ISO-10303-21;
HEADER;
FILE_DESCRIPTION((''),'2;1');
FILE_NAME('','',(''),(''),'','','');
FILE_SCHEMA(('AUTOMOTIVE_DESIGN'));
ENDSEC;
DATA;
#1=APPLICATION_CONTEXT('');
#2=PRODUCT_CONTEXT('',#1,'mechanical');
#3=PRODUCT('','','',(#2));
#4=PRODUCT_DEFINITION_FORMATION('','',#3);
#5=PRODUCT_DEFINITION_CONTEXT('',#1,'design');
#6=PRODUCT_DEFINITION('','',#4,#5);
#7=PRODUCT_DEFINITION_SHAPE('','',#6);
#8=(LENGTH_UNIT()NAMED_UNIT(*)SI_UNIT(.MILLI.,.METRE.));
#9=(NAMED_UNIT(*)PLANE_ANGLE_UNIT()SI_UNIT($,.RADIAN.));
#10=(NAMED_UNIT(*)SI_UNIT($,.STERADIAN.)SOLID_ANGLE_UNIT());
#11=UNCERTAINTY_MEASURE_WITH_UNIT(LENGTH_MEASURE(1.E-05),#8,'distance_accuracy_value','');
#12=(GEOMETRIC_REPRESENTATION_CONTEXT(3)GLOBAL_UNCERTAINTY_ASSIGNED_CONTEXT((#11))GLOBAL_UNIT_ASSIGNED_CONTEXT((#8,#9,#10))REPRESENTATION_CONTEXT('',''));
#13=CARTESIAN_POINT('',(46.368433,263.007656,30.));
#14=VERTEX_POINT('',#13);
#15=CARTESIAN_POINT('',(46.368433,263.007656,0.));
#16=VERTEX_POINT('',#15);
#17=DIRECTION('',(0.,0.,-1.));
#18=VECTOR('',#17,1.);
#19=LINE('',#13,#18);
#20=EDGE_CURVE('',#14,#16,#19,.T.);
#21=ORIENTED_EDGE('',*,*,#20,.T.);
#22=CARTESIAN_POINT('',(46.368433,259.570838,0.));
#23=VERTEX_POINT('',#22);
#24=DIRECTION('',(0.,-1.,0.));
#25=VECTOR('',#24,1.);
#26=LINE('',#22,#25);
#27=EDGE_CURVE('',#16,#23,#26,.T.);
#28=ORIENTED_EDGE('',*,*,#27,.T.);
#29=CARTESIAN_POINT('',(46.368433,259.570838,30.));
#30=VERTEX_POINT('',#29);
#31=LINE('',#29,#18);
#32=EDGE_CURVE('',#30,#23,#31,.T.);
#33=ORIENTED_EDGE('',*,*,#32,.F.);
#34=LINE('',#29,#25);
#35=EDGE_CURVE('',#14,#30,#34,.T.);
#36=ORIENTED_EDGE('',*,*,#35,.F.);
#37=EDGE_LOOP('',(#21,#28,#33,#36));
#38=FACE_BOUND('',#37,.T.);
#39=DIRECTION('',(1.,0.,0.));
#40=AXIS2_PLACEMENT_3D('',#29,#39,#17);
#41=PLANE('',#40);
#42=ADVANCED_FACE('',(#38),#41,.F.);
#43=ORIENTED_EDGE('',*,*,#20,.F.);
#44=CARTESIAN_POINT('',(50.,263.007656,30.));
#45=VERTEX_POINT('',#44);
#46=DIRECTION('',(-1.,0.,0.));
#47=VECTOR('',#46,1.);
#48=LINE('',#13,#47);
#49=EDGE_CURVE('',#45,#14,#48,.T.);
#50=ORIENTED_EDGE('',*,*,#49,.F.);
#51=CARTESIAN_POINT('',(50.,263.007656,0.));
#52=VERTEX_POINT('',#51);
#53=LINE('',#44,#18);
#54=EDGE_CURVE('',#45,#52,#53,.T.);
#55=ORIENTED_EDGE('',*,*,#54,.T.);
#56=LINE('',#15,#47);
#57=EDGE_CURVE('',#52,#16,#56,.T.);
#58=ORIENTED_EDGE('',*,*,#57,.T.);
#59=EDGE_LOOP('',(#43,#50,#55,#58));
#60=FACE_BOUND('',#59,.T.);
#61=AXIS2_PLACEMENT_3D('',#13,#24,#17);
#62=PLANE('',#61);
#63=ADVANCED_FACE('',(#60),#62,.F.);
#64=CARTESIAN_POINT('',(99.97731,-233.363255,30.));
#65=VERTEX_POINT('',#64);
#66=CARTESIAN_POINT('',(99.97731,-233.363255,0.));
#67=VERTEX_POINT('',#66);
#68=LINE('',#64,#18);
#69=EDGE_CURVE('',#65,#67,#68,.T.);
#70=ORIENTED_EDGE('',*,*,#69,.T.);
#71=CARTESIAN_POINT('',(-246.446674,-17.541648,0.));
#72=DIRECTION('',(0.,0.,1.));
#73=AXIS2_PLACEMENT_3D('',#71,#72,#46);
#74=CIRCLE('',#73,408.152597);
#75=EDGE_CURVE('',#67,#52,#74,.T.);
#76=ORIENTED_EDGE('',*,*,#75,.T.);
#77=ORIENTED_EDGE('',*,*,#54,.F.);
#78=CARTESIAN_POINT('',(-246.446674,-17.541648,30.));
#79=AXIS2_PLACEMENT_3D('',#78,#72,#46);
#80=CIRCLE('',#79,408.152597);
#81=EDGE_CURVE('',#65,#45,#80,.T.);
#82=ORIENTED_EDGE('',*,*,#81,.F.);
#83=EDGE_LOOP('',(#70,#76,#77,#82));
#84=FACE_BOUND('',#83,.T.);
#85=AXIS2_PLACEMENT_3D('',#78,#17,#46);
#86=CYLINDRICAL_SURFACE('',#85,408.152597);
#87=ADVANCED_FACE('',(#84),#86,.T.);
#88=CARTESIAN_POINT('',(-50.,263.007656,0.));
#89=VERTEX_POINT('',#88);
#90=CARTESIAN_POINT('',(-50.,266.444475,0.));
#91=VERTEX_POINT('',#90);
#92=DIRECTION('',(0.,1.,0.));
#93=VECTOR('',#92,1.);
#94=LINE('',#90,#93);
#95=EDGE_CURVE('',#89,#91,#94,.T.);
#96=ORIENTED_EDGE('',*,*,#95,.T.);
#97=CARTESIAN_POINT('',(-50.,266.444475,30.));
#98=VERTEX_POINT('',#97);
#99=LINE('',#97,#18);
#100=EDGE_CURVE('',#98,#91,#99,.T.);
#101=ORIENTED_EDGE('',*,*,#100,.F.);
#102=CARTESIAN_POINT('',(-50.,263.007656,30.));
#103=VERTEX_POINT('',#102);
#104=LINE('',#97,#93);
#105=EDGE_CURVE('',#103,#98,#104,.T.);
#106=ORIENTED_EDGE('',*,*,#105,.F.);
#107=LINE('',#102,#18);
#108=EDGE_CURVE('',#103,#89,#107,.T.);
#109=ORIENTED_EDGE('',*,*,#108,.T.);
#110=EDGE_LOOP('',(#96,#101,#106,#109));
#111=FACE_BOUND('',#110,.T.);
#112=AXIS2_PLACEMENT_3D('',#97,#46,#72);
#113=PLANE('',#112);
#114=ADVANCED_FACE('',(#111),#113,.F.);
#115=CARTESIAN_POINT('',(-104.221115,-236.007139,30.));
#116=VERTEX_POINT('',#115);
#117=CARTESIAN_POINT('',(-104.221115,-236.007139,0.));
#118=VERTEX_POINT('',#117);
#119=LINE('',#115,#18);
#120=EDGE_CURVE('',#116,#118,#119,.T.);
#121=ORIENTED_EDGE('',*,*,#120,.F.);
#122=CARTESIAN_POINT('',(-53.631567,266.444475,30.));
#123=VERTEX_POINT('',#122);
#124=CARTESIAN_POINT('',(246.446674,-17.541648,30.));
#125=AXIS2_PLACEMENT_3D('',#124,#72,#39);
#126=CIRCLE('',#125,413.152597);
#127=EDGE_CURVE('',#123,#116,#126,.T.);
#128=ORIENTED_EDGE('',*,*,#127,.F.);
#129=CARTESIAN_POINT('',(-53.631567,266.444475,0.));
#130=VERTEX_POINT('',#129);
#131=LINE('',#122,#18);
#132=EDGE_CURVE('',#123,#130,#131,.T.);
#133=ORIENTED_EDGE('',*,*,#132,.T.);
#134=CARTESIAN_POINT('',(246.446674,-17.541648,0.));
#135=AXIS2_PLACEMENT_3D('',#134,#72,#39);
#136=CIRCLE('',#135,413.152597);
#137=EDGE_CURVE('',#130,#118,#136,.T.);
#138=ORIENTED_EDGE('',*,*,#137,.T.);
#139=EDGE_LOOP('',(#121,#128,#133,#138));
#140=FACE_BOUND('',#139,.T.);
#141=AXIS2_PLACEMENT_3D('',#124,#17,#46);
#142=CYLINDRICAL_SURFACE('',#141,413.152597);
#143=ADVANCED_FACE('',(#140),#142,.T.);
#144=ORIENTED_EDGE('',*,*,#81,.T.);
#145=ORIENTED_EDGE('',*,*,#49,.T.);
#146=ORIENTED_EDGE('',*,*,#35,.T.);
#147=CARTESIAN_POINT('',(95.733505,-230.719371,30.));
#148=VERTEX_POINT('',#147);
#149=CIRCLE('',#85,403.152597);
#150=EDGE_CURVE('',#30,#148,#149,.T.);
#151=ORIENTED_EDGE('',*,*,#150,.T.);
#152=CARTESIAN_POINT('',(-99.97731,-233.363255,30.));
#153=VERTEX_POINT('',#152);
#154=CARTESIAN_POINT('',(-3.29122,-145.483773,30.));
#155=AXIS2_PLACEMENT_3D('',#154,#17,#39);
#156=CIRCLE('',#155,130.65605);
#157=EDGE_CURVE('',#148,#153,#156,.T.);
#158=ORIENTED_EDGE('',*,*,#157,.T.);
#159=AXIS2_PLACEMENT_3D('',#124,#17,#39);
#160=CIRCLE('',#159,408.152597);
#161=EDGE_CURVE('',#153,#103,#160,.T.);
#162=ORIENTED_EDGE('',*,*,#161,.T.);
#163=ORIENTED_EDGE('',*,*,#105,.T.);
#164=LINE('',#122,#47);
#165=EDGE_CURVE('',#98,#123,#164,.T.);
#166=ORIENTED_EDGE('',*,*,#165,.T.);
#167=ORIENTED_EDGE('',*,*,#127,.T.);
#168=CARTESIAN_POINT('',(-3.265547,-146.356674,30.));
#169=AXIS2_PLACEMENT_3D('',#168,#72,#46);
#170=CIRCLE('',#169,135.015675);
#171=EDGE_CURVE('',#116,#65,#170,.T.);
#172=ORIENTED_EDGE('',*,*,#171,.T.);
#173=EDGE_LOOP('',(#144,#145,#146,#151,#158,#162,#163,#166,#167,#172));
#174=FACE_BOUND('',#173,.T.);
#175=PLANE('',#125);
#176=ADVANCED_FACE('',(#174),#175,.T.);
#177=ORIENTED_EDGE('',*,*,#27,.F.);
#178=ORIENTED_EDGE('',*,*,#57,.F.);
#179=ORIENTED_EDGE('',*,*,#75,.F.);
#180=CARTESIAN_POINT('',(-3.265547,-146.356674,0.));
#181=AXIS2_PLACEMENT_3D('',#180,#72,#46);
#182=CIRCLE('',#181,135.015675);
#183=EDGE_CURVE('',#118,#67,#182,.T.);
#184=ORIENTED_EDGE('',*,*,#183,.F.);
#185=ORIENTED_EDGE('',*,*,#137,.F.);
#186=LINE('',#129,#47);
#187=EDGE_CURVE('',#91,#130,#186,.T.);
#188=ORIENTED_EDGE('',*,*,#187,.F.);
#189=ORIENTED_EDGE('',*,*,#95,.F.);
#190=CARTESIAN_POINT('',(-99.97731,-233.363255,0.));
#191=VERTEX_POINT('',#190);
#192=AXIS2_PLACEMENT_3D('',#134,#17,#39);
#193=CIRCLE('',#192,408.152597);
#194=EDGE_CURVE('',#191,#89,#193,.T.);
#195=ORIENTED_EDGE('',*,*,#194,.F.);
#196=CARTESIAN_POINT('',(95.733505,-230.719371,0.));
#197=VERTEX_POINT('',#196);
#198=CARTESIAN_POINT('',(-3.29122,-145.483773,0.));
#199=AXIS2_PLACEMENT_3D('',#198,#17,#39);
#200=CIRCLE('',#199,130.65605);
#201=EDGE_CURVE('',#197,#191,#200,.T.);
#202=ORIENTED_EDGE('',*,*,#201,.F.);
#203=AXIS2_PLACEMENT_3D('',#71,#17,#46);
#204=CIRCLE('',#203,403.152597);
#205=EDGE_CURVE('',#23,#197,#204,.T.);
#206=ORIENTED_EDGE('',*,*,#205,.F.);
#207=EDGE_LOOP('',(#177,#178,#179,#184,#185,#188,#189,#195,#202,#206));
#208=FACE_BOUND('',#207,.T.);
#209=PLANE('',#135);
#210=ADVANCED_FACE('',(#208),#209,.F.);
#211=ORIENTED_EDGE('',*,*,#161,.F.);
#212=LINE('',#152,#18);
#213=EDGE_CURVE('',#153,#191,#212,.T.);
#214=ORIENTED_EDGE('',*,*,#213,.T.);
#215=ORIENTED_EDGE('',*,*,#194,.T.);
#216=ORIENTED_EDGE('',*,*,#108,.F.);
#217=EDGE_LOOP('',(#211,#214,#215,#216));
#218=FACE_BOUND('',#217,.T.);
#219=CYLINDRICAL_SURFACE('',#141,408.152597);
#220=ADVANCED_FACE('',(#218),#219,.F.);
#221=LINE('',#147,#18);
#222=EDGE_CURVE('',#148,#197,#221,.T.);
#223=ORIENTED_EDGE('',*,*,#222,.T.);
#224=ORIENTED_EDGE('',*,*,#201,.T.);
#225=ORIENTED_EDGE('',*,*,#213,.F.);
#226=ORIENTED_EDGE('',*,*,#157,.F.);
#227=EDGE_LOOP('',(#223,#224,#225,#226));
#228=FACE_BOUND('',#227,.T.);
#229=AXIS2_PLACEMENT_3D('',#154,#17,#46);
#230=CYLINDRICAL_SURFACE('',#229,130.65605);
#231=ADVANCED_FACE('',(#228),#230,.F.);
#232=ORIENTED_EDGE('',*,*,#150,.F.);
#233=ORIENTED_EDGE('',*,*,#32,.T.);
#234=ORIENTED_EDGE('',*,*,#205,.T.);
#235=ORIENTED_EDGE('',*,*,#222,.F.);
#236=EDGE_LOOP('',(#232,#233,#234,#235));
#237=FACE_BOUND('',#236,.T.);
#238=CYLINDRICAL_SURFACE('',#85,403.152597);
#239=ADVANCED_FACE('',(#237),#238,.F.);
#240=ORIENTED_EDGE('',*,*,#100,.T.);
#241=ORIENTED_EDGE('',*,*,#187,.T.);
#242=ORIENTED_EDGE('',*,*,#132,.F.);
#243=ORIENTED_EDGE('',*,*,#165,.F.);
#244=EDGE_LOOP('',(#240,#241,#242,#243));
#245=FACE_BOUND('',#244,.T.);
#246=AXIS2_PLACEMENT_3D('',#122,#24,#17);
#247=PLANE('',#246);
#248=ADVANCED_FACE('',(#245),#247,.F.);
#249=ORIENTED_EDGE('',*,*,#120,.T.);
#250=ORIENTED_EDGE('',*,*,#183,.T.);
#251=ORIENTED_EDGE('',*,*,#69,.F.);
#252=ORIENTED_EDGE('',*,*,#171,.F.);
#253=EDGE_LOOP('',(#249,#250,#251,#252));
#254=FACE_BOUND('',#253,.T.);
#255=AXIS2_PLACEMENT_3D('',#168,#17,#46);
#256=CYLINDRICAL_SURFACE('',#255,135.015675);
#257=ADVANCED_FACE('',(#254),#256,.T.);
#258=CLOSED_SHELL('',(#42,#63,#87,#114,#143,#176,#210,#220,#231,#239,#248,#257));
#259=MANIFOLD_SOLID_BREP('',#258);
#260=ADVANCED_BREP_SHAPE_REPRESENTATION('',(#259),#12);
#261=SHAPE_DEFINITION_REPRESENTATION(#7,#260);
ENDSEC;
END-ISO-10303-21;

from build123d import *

# Parameters (mm, degrees)
BOSS_EXTRU_1_DEPTH = 30


with BuildPart() as part:
    # Esquisse1 → Boss.-Extru.1 (new body)
    with BuildSketch(Plane.XY):
        with BuildLine():
            Line((46.368433326, 259.570837519), (46.368433326, 263.007656324))
            Line((46.368433326, 263.007656324), (50, 263.007656324))
            ThreePointArc((50, 263.007656324), (159.652687148, 23.346633699), (99.977310085, -233.363254962))
            ThreePointArc((99.977310085, -233.363254962), (-1.517561323, -281.361033685), (-104.221114809, -236.007138747))
            ThreePointArc((-104.221114809, -236.007138747), (-164.627534347, 23.847528243), (-53.631566674, 266.444475128))
            Line((-53.631566674, 266.444475128), (-50, 266.444475128))
            Line((-50, 266.444475128), (-50, 263.007656324))
            ThreePointArc((-50, 263.007656324), (-159.652687148, 23.346633699), (-99.977310085, -233.363254962))
            ThreePointArc((-99.977310085, -233.363254962), (-1.526330683, -276.127902533), (95.733505362, -230.719371177))
            ThreePointArc((95.733505362, -230.719371177), (154.677839949, 22.845739156), (46.368433326, 259.570837519))
        make_face()
    extrude(amount=BOSS_EXTRU_1_DEPTH)


solid = part.part
